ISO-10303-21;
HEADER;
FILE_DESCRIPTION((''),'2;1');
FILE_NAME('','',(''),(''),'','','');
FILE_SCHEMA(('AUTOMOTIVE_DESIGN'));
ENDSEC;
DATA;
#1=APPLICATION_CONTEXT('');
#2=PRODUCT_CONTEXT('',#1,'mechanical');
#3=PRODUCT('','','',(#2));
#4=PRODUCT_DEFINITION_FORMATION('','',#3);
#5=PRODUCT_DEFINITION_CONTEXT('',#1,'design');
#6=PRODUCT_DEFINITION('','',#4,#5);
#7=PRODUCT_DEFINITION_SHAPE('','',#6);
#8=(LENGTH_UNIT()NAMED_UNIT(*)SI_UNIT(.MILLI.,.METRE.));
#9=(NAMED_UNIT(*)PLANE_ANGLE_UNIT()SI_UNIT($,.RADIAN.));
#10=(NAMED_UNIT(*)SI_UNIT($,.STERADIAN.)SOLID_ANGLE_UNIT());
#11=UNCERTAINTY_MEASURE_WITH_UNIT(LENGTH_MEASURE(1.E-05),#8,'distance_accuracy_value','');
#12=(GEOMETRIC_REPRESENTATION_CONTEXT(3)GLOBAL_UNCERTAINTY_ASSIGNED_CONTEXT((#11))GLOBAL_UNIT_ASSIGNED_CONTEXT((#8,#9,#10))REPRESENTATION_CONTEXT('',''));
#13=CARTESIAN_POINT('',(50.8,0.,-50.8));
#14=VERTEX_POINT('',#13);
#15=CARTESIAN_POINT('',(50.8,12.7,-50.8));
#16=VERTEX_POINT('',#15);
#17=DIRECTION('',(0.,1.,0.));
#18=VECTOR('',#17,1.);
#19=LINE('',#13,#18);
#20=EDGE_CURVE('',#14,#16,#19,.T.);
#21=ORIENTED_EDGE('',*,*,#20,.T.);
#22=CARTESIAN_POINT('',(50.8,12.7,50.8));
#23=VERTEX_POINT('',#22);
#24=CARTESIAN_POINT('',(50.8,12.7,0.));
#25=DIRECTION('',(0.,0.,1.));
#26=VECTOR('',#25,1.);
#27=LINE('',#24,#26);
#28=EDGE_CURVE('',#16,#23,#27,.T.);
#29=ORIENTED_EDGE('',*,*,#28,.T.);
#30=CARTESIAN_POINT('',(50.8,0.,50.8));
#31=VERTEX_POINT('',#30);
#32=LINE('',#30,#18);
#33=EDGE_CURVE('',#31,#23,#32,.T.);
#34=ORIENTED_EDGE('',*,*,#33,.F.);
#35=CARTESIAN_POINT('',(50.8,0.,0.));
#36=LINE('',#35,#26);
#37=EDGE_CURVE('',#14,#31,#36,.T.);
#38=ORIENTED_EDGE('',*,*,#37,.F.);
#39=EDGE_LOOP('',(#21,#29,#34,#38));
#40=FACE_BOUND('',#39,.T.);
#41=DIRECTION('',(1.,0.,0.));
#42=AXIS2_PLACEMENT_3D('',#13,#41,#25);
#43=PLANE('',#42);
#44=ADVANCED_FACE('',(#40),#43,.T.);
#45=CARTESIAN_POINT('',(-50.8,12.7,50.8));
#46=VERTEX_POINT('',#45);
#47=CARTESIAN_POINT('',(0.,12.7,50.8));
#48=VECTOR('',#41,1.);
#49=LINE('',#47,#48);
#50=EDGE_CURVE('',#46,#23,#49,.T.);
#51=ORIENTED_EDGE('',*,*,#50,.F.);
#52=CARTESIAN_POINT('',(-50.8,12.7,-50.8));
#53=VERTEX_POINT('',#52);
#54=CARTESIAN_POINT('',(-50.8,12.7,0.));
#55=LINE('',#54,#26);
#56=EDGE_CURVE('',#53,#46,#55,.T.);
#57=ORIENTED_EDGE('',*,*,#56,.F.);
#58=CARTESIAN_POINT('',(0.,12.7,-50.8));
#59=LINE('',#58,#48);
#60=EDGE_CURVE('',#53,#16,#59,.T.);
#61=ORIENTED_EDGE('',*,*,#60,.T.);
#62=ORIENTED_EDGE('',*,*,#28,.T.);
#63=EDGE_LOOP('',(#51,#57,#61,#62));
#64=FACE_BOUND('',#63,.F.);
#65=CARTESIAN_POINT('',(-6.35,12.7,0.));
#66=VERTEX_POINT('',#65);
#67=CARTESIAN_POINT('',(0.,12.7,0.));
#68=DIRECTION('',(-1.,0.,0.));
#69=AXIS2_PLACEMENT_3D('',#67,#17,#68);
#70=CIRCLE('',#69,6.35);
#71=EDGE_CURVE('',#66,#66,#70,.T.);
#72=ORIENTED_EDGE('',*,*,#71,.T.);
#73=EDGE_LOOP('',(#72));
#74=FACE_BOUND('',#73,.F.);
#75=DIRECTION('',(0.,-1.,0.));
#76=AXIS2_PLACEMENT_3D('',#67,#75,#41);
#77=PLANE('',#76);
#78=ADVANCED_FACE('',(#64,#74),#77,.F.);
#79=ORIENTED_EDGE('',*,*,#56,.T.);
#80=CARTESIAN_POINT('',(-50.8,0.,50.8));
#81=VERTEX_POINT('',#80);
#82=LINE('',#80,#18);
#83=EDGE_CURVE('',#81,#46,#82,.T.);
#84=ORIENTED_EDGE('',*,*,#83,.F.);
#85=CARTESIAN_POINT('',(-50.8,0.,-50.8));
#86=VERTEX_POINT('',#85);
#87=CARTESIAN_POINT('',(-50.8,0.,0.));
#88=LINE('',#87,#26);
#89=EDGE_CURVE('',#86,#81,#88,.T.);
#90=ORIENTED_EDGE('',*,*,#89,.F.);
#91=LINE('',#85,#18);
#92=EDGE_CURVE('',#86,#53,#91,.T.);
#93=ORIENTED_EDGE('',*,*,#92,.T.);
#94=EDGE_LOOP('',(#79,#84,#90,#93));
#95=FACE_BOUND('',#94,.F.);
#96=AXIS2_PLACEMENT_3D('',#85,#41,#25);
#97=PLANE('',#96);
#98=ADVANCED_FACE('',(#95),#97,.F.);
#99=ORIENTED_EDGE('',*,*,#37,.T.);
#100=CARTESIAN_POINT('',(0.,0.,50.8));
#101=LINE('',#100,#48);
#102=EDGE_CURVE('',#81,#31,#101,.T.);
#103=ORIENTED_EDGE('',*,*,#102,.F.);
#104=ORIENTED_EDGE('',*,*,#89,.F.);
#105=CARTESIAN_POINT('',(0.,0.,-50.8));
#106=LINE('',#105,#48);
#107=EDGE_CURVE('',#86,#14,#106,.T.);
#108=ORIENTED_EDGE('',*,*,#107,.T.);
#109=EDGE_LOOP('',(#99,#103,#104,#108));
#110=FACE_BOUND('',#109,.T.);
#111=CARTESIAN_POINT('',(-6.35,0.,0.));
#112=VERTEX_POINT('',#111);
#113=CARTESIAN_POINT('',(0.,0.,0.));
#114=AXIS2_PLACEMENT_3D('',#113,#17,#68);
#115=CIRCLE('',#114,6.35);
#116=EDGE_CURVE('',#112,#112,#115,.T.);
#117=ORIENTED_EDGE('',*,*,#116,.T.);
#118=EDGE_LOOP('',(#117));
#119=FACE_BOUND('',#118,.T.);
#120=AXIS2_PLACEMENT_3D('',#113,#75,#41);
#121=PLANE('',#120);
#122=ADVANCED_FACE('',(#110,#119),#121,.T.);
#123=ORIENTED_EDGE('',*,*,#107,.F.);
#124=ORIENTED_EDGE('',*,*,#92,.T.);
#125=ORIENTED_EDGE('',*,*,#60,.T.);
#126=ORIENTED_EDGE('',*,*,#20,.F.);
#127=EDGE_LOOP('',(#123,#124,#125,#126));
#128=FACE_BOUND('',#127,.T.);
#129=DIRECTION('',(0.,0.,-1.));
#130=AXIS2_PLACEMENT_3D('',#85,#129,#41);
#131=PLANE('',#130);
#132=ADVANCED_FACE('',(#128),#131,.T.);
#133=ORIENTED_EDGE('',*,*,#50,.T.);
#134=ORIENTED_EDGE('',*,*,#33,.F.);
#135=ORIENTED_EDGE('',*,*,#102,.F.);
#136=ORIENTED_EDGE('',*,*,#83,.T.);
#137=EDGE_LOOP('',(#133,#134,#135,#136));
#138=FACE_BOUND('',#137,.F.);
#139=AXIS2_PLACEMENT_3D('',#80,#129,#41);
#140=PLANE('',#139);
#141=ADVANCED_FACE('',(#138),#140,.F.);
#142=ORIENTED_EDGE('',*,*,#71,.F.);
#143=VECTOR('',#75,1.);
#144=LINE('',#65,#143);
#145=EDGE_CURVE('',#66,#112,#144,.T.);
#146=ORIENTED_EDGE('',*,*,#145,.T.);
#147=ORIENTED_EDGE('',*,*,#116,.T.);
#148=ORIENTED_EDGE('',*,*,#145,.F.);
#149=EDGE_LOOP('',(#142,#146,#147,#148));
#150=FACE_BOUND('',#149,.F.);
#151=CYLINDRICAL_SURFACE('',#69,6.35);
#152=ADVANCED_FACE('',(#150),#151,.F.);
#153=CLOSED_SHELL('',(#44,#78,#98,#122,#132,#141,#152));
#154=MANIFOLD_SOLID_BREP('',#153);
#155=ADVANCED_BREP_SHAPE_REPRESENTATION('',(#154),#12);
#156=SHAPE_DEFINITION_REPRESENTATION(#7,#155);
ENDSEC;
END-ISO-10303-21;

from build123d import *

# Parameters (mm, degrees)
F0_W     = 101.6
F0_H     = 101.6
F1_DEPTH = 12.7
F2_R     = 6.35
F3_DEPTH = 12.701


with BuildPart() as f1:
    # F0 (on Front) → F1 (new body)
    with BuildSketch(Plane.XZ):
        Rectangle(F0_W, F0_H)
    extrude(amount=-F1_DEPTH)

    # F2 (on face) → F3 (cut, through all)
    with BuildSketch(Plane(origin=(0, 12.7, 0), x_dir=(-1, 0, 0), z_dir=(0, 1, 0))):
        Circle(F2_R)
    extrude(amount=-F3_DEPTH, mode=Mode.SUBTRACT)


solid = f1.part
